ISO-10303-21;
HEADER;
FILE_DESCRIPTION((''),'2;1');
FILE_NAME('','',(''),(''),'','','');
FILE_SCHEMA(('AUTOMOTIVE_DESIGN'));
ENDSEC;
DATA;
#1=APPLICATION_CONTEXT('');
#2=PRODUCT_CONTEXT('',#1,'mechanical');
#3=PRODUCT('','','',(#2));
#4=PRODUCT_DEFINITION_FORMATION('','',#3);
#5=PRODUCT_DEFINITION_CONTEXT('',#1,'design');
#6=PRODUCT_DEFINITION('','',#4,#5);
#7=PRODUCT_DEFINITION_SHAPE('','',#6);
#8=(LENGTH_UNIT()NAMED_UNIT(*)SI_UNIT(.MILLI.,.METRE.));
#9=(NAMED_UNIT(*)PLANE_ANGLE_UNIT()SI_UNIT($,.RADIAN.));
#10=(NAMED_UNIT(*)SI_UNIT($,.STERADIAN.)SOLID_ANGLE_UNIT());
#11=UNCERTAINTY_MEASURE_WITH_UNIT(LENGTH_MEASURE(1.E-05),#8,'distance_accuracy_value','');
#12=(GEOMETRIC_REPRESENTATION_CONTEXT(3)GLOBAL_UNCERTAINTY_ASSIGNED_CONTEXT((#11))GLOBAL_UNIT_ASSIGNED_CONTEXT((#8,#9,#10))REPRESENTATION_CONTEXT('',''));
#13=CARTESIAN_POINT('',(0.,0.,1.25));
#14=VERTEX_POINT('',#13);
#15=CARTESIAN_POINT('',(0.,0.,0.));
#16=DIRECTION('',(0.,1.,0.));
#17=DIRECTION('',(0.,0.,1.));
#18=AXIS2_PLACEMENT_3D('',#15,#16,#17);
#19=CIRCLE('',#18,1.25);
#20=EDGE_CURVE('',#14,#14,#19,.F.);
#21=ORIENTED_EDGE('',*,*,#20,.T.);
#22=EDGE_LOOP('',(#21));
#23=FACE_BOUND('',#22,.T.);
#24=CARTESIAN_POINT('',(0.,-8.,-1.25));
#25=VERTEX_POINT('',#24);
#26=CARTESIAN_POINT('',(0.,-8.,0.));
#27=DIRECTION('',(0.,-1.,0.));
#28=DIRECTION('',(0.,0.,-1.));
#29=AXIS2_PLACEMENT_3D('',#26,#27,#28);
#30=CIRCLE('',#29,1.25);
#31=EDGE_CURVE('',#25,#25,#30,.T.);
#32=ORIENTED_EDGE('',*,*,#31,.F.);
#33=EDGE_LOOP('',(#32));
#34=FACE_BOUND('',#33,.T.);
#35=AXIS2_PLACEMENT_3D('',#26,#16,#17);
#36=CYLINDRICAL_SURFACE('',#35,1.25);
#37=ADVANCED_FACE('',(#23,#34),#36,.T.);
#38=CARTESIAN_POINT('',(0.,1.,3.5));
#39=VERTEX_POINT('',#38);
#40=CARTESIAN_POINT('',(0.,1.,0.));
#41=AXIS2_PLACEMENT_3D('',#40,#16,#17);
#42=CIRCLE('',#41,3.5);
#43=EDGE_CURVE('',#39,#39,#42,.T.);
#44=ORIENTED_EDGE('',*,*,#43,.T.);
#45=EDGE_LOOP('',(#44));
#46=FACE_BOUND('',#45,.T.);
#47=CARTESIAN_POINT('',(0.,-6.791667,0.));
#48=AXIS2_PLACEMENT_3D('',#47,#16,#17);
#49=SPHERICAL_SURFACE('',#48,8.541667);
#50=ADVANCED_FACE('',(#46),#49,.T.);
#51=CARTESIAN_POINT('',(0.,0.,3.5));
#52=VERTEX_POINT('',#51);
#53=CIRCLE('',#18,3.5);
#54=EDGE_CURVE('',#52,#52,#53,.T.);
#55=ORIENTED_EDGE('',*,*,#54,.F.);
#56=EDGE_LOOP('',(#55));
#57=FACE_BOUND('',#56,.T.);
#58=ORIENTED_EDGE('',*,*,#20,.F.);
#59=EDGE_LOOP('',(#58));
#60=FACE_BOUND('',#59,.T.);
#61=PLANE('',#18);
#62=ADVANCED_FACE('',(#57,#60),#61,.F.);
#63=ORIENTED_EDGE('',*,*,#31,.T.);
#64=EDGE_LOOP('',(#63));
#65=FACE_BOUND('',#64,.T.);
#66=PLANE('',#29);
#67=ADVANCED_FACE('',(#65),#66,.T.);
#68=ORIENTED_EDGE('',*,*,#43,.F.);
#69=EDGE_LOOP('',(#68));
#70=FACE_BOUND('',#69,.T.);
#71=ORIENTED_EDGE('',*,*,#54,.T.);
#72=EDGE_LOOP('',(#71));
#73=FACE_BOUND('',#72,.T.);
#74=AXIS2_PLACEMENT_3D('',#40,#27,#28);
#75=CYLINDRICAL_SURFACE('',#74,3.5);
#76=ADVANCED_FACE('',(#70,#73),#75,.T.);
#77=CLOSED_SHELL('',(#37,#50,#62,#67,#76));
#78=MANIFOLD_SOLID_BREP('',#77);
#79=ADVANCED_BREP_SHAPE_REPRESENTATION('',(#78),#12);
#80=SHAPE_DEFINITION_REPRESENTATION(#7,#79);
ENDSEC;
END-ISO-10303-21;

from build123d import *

# Parameters (mm, degrees)
SKETCH1_R           = 3.5
BOSS_EXTRUDE1_DEPTH = 1
DOME1_FACE_RADIUS   = 3.5
DOME1_HEIGHT        = 0.75
SKETCH2_R           = 1.25
BOSS_EXTRUDE2_DEPTH = 8


with BuildPart() as part:
    # Sketch1 → Boss-Extrude1 (new body)
    with BuildSketch(Plane(origin=(0, 0, 0), x_dir=(1, 0, 0), z_dir=(0, 1, 0))):
        with Locations(Location((0, 0, 0), (0, 0, 270))):
            Circle(SKETCH1_R)
    extrude(amount=BOSS_EXTRUDE1_DEPTH)

    # Dome1: a dome of height H over a round flat face of radius A is a cap of a sphere of radius (A * A + H * H) / (2 * H)
    dome1_r = (DOME1_FACE_RADIUS * DOME1_FACE_RADIUS + DOME1_HEIGHT * DOME1_HEIGHT) / (2 * DOME1_HEIGHT)
    dome1_base = Plane((0, 1, 0), z_dir=(0, 1, 0))
    with Locations(dome1_base.offset(DOME1_HEIGHT - dome1_r)):
        dome1_ball = Sphere(dome1_r, mode=Mode.PRIVATE)
    add(split(dome1_ball, bisect_by=dome1_base, keep=Keep.TOP, mode=Mode.PRIVATE))

    # Sketch2 → Boss-Extrude2 (add)
    with BuildSketch(Plane.XZ):
        with Locations(Location((0, 0, 0), (0, 0, 90))):
            Circle(SKETCH2_R)
    extrude(amount=BOSS_EXTRUDE2_DEPTH)


solid = part.part
